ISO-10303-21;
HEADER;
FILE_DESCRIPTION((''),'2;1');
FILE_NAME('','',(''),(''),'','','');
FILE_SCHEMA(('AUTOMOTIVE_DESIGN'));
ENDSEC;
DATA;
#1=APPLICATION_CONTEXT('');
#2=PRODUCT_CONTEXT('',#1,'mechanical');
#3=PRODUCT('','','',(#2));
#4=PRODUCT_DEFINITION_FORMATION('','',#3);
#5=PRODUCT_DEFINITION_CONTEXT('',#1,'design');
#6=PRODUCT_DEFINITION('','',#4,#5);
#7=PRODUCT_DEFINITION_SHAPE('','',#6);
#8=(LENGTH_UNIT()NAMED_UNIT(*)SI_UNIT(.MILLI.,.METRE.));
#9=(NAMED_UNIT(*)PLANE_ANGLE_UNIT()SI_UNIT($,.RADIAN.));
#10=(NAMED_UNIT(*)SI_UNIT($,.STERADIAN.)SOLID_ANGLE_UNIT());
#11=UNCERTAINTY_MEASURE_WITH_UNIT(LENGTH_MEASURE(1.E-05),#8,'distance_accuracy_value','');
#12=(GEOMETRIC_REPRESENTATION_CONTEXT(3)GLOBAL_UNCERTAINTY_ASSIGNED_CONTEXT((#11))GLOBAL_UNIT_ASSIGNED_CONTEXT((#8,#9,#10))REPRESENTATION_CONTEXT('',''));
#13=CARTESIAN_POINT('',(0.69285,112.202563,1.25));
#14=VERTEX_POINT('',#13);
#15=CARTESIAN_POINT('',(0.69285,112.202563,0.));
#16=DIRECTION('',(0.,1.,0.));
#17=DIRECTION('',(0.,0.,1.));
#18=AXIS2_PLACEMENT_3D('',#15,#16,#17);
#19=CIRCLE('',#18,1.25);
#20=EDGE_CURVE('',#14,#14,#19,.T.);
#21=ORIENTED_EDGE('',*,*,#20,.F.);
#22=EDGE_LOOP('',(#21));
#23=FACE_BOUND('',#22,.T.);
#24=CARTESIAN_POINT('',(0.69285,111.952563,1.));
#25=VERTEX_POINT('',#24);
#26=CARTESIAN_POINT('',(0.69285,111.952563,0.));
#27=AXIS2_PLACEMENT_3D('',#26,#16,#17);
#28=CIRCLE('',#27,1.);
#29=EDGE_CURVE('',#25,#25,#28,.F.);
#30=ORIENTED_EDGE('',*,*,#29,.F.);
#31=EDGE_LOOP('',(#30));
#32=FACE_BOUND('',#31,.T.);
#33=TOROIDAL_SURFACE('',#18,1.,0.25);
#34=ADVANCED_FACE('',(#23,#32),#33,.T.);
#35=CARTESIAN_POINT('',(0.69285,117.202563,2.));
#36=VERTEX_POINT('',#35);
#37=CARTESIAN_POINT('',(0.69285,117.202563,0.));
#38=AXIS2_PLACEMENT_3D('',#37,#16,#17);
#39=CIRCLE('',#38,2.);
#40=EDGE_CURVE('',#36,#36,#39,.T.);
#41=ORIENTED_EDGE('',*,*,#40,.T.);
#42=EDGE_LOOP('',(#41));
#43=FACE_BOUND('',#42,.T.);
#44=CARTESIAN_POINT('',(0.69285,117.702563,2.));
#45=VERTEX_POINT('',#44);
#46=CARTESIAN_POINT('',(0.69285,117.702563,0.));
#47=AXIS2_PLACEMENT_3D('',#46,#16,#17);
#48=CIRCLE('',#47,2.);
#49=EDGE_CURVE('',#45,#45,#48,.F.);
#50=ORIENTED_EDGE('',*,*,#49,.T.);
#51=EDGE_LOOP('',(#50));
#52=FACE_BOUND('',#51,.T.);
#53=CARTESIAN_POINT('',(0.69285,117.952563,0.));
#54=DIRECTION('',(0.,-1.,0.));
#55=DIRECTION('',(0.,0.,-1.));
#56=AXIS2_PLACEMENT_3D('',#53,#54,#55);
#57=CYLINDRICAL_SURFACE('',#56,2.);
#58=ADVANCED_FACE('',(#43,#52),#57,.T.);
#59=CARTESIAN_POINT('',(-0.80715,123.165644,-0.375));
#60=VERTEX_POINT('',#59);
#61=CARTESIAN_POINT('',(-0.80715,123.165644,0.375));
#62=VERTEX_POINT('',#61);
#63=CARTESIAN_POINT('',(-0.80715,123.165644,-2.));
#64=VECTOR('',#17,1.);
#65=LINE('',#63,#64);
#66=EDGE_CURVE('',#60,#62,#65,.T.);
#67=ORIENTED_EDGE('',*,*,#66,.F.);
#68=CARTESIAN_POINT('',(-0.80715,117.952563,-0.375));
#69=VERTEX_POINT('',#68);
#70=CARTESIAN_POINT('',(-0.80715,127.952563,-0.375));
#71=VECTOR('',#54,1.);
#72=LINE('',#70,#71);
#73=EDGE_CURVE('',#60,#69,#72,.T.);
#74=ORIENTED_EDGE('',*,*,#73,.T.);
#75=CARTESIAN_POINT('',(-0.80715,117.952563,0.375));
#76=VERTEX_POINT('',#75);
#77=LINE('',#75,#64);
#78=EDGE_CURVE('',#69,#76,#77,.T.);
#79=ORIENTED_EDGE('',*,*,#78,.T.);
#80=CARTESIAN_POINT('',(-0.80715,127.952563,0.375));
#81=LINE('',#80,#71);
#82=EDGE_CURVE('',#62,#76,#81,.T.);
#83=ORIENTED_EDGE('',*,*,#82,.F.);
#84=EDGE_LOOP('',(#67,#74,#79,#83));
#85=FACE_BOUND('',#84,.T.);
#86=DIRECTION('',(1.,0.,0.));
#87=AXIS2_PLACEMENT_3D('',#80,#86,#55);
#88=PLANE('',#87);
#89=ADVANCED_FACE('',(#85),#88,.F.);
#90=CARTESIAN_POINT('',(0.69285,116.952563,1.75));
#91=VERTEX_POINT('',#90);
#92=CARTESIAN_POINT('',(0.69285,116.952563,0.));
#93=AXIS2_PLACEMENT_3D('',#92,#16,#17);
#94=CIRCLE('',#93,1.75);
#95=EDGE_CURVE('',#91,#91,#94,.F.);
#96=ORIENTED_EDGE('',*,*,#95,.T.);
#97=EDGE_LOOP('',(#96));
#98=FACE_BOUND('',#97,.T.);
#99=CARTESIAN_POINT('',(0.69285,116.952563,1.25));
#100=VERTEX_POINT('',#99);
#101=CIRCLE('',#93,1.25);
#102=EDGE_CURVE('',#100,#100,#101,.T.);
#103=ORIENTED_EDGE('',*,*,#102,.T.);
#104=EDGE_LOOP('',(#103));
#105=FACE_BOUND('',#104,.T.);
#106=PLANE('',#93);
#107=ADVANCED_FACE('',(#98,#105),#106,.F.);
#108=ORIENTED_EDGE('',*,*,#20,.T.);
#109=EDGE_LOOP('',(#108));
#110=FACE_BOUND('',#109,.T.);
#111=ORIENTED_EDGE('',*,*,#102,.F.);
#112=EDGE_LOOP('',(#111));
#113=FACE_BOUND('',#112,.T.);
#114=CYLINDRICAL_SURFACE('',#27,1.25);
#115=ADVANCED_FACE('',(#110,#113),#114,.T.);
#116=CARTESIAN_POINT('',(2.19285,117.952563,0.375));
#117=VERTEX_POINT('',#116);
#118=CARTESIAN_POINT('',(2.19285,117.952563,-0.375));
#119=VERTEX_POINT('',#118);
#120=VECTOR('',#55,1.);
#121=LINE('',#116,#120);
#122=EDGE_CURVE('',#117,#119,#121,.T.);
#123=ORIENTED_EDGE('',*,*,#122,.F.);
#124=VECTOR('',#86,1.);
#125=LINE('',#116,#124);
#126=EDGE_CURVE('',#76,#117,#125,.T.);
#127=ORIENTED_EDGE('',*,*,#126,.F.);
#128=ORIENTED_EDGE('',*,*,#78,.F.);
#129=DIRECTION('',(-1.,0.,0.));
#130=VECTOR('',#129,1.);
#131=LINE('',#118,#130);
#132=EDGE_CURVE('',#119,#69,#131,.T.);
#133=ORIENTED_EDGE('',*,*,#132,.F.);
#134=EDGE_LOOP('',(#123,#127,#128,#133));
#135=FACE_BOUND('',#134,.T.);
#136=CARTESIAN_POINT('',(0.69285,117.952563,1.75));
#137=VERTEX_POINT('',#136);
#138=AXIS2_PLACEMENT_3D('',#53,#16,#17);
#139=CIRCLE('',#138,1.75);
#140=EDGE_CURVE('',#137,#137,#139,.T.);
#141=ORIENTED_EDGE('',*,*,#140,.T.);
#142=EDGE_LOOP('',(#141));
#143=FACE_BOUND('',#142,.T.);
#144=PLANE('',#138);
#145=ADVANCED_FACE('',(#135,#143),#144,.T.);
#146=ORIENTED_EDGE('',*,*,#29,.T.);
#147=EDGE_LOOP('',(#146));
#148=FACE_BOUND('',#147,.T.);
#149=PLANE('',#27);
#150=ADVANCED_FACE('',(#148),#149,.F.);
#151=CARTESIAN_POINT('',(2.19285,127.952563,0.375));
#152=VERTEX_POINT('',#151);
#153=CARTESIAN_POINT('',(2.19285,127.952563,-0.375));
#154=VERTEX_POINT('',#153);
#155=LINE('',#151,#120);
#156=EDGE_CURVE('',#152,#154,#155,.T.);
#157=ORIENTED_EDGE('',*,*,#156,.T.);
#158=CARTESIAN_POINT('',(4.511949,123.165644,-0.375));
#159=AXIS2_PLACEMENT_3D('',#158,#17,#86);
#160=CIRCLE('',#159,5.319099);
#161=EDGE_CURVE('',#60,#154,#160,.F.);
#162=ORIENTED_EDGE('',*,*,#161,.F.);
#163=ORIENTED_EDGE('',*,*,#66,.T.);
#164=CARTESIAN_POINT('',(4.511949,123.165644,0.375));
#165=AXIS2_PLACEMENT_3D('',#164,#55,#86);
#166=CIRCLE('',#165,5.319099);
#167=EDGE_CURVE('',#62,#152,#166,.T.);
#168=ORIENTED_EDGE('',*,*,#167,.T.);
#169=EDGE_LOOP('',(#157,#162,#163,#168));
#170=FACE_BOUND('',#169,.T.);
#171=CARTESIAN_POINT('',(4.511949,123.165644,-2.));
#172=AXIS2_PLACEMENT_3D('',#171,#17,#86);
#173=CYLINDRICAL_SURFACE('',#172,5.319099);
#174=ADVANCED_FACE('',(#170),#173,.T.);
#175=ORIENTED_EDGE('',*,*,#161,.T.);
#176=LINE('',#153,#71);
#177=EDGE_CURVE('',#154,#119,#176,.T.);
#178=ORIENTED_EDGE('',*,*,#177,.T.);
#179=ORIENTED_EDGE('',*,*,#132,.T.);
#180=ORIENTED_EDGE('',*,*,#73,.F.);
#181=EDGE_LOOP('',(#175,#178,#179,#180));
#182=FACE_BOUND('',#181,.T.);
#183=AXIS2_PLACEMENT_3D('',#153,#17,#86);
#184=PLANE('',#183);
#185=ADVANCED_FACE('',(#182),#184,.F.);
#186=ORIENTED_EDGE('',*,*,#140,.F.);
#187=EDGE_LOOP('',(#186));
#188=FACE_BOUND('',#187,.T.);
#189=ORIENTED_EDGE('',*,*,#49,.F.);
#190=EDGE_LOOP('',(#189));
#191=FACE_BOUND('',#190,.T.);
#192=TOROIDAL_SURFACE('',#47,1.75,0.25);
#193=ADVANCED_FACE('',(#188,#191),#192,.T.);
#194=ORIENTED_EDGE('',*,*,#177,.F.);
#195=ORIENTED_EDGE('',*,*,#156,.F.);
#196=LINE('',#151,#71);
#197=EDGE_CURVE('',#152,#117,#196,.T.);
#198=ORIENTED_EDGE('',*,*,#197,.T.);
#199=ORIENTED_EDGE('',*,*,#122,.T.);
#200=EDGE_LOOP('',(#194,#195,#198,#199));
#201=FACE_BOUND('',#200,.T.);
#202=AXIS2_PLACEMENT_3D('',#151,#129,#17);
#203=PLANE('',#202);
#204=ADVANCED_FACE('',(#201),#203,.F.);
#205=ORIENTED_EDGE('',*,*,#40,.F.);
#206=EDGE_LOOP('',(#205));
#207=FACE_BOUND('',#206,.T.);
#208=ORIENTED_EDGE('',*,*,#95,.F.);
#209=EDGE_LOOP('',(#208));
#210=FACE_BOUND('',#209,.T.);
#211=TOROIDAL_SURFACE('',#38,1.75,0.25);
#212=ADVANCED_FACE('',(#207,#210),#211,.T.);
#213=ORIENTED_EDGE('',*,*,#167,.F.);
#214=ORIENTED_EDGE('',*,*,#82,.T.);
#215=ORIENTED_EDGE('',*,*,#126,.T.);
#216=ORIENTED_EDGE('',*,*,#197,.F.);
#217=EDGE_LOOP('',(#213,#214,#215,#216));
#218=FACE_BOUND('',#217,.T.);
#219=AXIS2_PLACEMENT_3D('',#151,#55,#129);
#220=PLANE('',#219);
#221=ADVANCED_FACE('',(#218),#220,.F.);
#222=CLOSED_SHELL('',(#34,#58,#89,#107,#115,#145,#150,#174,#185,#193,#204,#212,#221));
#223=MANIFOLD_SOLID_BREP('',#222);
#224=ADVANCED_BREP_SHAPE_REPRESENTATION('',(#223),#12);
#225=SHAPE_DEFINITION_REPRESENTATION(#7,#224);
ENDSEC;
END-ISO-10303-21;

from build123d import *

# Parameters (mm, degrees)
SWEEP_1_PROFILE_R   = 25
SKETCH_9_R          = 40
EXTRUDE_2_DEPTH     = 20
FILLET_1_R          = 5
SKETCH_11_W         = 60
SKETCH_11_H         = 15
EXTRUDE_3_DEPTH     = 200
CUT_EXTRUDE_1_DEPTH = 326.969707196
SCALE_1_SCALE       = 0.05


with BuildPart() as part:
    # 扫描1: sweep along a path in 草图1
    with BuildLine(Plane.XY) as sweep_1_path:
        Line((0, 0), (0, 100))
    # 扫描1 profile (on start of the path) → 扫描1 (sweep)
    with BuildSketch(Plane.ZX):
        Circle(SWEEP_1_PROFILE_R)
    sweep(path=sweep_1_path.line)

    # 草图9 → 凸台-拉伸2 (add)
    with BuildSketch(Plane(origin=(0, 100, 0), x_dir=(1, 0, 0), z_dir=(0, 1, 0))):
        with Locations(Location((0, 0, 0), (0, 0, 270))):
            Circle(SKETCH_9_R)
    extrude(amount=EXTRUDE_2_DEPTH)

    # 圆角1
    fillet_1_edges = [part.edges().sort_by_distance(p)[0] for p in [
        (0, 0, -25),
        (0, 100, -40),
        (0, 120, -40),
    ]]
    fillet(fillet_1_edges, radius=FILLET_1_R)

    # 草图11 → 凸台-拉伸3 (add)
    with BuildSketch(Plane(origin=(0, 120, 0), x_dir=(1, 0, 0), z_dir=(0, 1, 0))):
        Rectangle(SKETCH_11_W, SKETCH_11_H)
    extrude(amount=EXTRUDE_3_DEPTH)

    # 草图12 → 切除-拉伸1 (cut, through all)
    with BuildSketch(Plane.XY.offset(7.5)):
        with BuildLine():
            Line((-30, 224.261621757), (-30, 320))
            Line((-30, 320), (30, 320))
            ThreePointArc((30, 320), (-13.760497544, 280.754623688), (-30, 224.261621757))
        make_face()
    extrude(amount=-CUT_EXTRUDE_1_DEPTH, mode=Mode.SUBTRACT)


with BuildPart() as part_1:
    # 缩放比例1: scaled about (0.729315594, 117.844803008, 0)
    add(part.part.scale(SCALE_1_SCALE).moved(Location((0.692849814, 111.952562858, 0))))


solid = part_1.part
